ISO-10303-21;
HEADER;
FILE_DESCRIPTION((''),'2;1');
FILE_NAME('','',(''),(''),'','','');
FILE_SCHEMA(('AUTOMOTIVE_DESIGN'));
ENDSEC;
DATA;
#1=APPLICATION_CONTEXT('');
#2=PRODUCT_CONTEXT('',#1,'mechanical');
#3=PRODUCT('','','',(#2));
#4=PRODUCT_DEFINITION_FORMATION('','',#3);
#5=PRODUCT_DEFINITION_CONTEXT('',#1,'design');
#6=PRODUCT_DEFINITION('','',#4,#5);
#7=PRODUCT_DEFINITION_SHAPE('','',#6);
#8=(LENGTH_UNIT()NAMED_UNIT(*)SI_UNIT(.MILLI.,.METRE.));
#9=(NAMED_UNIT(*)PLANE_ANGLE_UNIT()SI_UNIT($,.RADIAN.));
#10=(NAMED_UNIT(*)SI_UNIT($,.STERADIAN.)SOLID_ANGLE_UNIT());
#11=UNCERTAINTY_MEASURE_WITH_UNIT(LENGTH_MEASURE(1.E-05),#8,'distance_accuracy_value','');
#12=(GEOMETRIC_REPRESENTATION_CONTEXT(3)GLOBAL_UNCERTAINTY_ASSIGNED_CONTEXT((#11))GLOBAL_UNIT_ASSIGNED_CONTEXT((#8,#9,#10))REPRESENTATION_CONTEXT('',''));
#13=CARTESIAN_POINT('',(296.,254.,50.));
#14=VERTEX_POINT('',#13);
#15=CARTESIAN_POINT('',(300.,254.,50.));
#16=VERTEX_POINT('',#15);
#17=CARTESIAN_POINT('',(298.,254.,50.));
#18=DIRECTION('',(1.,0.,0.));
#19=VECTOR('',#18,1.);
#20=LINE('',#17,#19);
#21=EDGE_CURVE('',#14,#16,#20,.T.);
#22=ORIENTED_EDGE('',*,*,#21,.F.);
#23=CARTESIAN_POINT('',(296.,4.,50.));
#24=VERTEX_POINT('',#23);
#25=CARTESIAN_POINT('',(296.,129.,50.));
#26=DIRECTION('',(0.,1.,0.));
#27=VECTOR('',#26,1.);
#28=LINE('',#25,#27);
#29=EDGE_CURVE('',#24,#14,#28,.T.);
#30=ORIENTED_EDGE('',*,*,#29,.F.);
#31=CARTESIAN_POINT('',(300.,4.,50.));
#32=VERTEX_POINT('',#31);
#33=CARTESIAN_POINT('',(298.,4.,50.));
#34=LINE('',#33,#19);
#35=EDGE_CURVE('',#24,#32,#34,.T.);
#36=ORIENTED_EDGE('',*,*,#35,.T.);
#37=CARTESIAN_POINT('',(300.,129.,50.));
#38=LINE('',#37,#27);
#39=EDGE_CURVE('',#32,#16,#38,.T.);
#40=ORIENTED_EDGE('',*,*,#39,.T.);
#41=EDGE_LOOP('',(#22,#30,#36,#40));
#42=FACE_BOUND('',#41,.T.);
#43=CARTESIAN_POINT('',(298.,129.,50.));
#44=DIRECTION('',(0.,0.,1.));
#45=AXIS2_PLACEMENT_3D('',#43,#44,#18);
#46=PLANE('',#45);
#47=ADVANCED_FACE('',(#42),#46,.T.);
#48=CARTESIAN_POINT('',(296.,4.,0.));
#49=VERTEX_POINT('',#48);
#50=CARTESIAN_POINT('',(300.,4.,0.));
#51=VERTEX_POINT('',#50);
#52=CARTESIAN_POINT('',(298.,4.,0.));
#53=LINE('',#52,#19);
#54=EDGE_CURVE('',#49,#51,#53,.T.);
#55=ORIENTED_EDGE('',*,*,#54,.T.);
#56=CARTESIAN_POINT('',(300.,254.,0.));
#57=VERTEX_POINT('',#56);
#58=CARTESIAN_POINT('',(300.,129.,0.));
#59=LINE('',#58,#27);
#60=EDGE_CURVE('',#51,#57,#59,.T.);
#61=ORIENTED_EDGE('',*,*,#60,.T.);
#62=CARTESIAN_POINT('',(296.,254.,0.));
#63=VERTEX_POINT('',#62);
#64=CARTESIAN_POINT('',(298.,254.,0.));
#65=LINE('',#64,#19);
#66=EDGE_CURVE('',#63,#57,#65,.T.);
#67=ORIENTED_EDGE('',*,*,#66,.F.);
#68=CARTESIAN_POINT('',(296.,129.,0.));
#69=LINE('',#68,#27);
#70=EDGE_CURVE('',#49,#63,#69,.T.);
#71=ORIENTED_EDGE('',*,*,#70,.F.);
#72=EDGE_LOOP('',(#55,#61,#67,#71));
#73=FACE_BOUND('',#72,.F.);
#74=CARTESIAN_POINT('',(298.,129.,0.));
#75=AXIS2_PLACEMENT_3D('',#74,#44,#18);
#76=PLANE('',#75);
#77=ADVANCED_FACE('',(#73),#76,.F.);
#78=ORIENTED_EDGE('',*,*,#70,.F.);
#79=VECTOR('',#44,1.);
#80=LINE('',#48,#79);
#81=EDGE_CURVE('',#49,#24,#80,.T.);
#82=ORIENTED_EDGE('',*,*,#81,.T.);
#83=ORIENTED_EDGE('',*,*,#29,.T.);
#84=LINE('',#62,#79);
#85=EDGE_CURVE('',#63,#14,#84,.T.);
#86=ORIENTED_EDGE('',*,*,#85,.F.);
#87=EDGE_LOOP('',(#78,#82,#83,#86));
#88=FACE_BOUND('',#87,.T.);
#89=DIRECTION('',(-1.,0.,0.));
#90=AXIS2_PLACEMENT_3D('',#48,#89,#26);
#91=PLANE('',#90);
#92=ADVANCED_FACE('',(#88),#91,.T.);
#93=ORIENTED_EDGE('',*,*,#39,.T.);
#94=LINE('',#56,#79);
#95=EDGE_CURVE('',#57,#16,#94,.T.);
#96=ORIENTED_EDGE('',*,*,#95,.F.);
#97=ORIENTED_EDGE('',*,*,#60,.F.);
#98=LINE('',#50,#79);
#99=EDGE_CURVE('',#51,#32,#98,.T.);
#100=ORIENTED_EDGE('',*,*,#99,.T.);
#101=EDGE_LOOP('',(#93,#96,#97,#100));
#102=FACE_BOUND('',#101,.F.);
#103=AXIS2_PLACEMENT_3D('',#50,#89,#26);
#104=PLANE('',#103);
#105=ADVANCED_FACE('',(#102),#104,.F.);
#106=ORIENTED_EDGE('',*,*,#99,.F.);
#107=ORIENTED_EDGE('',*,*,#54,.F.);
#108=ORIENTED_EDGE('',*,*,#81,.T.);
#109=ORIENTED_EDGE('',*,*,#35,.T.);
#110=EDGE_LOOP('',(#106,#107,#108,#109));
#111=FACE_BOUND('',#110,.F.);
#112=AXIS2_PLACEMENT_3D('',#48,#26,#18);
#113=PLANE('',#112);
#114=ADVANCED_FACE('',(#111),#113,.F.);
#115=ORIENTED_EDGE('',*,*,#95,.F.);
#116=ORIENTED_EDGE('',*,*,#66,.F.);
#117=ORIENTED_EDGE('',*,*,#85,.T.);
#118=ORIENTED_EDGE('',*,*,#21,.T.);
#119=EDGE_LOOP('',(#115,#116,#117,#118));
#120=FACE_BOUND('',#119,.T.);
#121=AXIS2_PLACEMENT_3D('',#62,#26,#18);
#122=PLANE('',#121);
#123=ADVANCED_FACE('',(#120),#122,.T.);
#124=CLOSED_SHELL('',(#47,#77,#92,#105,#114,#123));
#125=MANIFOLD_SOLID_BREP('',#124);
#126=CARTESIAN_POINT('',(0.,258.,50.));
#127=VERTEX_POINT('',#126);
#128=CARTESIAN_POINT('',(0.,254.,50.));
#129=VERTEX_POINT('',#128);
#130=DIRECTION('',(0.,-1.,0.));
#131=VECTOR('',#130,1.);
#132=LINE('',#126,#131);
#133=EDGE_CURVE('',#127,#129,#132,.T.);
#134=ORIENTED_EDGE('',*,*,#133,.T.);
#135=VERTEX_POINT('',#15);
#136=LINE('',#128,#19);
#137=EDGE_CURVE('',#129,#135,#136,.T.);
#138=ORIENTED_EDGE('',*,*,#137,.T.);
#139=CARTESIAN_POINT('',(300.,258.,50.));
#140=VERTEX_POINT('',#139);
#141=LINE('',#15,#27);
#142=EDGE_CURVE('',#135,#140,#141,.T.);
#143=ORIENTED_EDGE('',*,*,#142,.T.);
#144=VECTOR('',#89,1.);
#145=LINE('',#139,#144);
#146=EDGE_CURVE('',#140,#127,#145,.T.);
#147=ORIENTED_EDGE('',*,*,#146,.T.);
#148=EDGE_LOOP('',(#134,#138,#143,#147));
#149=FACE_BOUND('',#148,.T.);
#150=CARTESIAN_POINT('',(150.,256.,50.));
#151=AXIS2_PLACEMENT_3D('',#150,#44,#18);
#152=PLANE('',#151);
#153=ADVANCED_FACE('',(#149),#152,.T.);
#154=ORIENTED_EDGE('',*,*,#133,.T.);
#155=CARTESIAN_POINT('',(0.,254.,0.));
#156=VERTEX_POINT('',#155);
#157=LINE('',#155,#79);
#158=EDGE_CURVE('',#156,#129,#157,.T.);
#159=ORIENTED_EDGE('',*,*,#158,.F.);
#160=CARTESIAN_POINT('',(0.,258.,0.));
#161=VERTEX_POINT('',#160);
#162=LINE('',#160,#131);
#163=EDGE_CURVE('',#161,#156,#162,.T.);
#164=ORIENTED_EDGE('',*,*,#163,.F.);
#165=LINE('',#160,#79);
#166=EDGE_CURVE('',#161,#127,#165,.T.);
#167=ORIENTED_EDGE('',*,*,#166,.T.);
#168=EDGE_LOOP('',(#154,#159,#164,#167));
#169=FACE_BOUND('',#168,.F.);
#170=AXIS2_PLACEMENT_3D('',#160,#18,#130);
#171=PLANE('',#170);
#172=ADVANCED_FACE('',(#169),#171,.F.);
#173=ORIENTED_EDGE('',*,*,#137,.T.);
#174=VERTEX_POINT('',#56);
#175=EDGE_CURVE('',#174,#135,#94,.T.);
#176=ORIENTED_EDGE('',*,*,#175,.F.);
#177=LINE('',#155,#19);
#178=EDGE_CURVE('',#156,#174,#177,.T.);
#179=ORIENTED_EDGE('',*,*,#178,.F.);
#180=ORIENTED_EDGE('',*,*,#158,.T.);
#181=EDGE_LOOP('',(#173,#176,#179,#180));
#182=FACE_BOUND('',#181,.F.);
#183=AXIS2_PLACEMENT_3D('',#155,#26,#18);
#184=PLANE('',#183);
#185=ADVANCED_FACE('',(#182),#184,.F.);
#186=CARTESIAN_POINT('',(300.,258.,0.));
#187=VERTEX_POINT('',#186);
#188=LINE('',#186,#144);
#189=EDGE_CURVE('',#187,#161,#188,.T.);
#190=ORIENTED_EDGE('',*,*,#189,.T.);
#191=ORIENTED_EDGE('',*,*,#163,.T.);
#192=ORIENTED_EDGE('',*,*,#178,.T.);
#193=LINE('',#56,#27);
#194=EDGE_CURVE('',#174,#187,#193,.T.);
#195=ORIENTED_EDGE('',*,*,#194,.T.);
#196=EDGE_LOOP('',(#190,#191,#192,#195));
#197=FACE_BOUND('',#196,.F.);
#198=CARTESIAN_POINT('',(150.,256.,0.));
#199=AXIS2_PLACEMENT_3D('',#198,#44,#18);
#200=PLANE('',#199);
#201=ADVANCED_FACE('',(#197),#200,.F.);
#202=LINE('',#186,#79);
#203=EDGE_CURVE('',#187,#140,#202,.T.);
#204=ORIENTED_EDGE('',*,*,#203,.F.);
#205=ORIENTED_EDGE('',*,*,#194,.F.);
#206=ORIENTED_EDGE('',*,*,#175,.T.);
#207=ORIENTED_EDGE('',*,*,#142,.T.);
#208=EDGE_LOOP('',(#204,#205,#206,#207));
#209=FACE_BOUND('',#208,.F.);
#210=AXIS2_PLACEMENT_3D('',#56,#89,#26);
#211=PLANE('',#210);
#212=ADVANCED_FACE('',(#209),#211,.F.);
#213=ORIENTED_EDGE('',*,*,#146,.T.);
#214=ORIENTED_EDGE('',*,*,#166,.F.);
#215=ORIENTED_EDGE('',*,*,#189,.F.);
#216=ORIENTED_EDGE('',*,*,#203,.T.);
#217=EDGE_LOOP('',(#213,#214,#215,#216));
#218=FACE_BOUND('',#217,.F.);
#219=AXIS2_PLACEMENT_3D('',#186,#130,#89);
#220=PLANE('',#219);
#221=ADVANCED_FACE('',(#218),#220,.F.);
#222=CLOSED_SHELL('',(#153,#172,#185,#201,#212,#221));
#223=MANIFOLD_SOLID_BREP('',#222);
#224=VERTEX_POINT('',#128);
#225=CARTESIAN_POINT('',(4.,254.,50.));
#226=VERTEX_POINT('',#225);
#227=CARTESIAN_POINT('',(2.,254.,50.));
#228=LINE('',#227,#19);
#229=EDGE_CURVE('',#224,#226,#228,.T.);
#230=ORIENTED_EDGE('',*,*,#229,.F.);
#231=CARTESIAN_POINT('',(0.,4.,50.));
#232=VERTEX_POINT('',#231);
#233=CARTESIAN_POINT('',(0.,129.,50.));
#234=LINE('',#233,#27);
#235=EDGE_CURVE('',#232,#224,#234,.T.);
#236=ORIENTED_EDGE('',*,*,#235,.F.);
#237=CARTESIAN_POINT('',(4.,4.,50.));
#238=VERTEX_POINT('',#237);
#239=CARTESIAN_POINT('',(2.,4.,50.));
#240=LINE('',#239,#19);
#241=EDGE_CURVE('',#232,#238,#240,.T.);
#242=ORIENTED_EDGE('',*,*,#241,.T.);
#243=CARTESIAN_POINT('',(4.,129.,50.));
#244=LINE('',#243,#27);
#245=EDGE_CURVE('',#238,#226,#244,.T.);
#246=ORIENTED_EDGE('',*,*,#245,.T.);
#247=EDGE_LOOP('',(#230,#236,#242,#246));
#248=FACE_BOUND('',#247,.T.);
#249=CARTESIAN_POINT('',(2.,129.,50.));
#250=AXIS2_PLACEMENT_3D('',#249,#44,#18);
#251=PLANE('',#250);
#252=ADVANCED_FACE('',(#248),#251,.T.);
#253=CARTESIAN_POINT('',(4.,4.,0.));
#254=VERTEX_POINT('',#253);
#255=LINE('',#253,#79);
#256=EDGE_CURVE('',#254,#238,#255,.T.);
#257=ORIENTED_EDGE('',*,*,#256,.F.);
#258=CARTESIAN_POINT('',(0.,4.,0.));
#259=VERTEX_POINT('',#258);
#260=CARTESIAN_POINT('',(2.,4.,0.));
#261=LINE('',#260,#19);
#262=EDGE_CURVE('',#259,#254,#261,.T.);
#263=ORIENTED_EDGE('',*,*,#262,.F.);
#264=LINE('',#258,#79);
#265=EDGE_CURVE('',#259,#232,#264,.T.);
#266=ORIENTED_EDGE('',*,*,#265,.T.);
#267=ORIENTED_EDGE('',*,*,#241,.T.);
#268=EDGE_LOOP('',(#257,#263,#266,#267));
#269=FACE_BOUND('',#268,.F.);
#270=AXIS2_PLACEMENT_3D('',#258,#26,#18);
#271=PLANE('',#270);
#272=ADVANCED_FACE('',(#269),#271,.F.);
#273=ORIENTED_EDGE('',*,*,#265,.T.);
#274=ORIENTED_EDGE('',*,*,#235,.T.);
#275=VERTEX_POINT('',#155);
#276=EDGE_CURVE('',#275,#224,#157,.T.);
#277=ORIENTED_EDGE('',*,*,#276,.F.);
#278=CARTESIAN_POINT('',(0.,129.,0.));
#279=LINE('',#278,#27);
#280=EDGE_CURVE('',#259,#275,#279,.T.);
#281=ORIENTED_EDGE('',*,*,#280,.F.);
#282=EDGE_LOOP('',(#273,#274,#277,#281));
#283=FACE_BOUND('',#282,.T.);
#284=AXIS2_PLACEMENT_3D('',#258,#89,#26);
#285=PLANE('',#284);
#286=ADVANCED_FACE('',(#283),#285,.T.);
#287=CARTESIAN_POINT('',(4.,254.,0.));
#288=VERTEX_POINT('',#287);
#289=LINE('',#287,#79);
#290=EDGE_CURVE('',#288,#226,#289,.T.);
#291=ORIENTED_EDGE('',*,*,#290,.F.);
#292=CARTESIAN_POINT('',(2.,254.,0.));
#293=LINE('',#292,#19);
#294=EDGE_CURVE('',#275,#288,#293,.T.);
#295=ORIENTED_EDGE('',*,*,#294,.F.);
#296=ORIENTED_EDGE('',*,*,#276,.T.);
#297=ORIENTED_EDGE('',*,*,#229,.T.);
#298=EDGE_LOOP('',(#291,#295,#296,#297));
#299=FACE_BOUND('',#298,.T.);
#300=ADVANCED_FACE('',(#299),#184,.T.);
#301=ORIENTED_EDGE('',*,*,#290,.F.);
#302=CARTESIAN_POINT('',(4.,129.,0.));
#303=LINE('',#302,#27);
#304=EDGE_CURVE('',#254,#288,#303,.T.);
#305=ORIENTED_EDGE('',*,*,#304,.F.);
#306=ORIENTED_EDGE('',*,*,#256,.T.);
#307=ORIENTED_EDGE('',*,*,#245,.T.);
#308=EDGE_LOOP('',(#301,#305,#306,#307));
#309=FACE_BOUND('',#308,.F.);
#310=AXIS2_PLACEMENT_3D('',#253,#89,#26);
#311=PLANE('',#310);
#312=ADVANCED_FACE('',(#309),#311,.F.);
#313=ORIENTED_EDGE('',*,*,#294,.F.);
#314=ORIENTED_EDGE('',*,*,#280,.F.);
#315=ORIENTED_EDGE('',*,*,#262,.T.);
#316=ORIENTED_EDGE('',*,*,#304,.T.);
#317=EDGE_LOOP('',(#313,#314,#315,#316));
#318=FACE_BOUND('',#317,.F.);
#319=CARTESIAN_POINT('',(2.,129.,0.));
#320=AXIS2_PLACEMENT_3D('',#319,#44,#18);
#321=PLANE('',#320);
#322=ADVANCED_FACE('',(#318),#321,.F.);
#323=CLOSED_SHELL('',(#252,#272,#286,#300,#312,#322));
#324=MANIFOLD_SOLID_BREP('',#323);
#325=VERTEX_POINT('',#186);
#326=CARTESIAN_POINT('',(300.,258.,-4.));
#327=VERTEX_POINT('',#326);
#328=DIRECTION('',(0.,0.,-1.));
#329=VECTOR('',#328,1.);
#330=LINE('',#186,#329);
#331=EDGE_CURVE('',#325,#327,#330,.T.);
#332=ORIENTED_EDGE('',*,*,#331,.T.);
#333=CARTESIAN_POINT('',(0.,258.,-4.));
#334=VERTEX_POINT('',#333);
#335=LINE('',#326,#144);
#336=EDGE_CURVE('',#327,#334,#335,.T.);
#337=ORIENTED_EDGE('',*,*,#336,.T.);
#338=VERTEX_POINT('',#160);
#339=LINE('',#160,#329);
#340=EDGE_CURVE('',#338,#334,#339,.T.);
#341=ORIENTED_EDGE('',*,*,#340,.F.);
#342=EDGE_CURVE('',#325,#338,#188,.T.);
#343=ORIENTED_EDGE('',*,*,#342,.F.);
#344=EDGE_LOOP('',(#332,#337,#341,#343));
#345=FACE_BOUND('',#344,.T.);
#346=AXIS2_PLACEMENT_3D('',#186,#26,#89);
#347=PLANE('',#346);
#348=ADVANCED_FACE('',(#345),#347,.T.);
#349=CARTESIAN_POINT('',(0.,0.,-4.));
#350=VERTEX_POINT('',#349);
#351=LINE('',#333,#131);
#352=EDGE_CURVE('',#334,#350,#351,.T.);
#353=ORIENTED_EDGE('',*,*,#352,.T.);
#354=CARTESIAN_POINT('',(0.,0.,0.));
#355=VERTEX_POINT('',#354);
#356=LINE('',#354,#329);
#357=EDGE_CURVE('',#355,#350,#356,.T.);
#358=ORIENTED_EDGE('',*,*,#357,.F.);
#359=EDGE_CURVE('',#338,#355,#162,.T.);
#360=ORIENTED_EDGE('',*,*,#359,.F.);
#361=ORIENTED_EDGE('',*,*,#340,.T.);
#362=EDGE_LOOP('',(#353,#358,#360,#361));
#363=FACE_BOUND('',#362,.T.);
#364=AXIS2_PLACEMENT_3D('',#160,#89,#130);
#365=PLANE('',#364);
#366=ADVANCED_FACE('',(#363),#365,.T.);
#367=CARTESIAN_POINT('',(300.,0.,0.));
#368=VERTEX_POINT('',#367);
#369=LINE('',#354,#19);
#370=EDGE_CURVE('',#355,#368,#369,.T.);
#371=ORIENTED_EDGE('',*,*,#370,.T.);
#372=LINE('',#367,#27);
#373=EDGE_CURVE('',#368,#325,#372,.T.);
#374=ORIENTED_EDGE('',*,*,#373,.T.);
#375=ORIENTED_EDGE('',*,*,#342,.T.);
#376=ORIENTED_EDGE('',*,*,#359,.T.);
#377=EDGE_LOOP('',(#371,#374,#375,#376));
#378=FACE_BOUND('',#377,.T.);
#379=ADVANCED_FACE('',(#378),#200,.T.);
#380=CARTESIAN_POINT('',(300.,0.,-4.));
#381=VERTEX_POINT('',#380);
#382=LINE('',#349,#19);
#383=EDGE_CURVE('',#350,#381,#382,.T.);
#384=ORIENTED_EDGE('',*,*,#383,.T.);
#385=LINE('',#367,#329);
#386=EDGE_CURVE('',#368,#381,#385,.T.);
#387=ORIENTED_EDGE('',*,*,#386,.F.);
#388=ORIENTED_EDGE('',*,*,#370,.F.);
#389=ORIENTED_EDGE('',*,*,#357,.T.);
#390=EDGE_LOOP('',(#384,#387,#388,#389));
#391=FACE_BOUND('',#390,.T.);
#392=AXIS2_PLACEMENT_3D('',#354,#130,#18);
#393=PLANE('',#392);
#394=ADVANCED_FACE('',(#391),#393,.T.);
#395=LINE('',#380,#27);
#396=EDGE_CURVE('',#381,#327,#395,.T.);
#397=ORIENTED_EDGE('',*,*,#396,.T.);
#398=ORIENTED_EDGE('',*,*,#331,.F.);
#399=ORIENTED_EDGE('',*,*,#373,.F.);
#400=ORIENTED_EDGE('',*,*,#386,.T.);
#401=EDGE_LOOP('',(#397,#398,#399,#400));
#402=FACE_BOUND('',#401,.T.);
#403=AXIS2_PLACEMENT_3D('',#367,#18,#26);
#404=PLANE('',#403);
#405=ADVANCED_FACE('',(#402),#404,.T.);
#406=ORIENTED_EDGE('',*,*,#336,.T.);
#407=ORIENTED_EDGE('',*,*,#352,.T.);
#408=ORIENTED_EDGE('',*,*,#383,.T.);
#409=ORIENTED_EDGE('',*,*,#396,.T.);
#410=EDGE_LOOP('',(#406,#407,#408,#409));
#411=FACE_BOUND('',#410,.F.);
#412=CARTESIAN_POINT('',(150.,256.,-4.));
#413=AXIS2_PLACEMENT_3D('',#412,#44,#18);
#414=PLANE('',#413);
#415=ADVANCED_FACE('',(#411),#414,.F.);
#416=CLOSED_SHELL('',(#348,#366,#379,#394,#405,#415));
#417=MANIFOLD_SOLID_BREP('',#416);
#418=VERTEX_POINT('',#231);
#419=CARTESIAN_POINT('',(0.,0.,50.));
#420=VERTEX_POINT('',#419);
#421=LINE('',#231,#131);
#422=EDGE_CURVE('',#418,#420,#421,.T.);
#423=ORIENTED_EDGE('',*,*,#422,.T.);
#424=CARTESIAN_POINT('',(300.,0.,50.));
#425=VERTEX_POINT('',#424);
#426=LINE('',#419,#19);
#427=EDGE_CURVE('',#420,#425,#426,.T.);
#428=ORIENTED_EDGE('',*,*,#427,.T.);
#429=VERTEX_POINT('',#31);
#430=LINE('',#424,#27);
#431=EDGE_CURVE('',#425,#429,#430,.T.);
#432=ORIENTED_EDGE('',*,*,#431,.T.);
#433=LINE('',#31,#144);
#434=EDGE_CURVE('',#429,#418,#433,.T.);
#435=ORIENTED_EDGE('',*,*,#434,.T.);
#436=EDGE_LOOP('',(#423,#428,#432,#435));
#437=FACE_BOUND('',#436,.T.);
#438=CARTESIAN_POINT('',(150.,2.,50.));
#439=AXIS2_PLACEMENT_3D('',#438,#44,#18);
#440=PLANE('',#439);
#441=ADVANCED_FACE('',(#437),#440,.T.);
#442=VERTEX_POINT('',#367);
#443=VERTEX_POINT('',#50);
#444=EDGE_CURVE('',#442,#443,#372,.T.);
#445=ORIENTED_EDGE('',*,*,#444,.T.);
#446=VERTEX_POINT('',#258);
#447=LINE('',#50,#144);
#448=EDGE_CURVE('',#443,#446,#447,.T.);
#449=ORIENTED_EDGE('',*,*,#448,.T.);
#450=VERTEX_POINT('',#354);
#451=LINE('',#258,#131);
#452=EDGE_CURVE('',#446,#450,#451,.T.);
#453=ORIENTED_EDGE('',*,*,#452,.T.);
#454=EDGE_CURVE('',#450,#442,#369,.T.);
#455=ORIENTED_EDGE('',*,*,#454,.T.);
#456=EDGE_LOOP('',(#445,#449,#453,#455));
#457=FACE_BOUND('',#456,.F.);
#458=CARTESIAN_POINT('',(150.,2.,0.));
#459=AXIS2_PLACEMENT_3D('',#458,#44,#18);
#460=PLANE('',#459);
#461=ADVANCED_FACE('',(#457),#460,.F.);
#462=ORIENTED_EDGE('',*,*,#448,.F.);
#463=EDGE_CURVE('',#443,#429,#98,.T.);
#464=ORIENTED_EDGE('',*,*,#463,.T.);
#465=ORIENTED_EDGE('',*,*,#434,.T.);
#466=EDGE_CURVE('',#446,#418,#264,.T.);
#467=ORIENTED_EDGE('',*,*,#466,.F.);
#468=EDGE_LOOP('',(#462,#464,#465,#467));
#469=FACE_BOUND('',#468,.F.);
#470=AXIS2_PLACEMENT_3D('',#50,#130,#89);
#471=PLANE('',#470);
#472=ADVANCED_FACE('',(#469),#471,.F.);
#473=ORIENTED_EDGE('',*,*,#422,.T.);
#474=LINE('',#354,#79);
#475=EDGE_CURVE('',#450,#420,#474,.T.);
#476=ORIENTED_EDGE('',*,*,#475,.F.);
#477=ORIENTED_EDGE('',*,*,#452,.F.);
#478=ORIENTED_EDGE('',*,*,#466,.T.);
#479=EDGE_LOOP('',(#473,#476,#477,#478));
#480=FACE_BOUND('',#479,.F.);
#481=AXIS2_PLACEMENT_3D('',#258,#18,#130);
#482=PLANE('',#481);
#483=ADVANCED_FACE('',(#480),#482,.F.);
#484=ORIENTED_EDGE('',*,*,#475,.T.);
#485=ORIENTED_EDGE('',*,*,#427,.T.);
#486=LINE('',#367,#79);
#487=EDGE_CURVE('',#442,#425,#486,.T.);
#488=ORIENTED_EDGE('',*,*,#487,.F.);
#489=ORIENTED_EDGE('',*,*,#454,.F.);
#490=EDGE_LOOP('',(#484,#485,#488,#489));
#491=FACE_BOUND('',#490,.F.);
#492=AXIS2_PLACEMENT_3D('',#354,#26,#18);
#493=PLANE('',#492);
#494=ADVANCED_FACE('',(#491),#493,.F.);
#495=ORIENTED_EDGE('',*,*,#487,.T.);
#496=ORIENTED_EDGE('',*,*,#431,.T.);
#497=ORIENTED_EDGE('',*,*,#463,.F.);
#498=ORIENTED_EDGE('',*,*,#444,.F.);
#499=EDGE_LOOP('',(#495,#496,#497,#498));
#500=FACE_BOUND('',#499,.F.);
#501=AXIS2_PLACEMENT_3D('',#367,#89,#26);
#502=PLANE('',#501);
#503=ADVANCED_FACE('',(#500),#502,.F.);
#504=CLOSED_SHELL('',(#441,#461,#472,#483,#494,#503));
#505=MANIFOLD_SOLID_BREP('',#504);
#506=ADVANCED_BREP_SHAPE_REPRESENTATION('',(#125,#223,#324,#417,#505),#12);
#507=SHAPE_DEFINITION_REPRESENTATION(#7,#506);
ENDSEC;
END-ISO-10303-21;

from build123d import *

# Parameters (mm, degrees)
F0_W     = 4
F0_H     = 250
F0_W_2   = 292
F1_DEPTH = 4
F2_DEPTH = 50
F3_DEPTH = 50
F4_DEPTH = 50
F5_DEPTH = 50


with BuildPart() as f1:
    # F0 (on Top) → F1 (new body)
    with BuildSketch(Plane.XY):
        Polygon((300, 258), (0, 258), (0, 254), (4, 254), (296, 254), (300, 254), align=None)
        with Locations((2, 129)):
            Rectangle(F0_W, F0_H)
        with Locations((298, 129)):
            Rectangle(F0_W, F0_H)
        Polygon((4, 4), (0, 4), (0, 0), (300, 0), (300, 4), (296, 4), align=None)
        with Locations((150, 129)):
            Rectangle(F0_W_2, F0_H)
    extrude(amount=-F1_DEPTH)


with BuildPart() as f2:
    # F0 (on Top) → F2 (new body)
    with BuildSketch(Plane.XY):
        Polygon((4, 4), (0, 4), (0, 0), (300, 0), (300, 4), (296, 4), align=None)
    extrude(amount=F2_DEPTH)


with BuildPart() as f3:
    # F0 (on Top) → F3 (new body)
    with BuildSketch(Plane.XY):
        with Locations((2, 129)):
            Rectangle(F0_W, F0_H)
    extrude(amount=F3_DEPTH)


with BuildPart() as f4:
    # F0 (on Top) → F4 (new body)
    with BuildSketch(Plane.XY):
        Polygon((300, 258), (0, 258), (0, 254), (4, 254), (296, 254), (300, 254), align=None)
    extrude(amount=F4_DEPTH)


with BuildPart() as f5:
    # F0 (on Top) → F5 (new body)
    with BuildSketch(Plane.XY):
        with Locations((298, 129)):
            Rectangle(F0_W, F0_H)
    extrude(amount=F5_DEPTH)


solid = Compound([f1.part, f2.part, f3.part, f4.part, f5.part])
